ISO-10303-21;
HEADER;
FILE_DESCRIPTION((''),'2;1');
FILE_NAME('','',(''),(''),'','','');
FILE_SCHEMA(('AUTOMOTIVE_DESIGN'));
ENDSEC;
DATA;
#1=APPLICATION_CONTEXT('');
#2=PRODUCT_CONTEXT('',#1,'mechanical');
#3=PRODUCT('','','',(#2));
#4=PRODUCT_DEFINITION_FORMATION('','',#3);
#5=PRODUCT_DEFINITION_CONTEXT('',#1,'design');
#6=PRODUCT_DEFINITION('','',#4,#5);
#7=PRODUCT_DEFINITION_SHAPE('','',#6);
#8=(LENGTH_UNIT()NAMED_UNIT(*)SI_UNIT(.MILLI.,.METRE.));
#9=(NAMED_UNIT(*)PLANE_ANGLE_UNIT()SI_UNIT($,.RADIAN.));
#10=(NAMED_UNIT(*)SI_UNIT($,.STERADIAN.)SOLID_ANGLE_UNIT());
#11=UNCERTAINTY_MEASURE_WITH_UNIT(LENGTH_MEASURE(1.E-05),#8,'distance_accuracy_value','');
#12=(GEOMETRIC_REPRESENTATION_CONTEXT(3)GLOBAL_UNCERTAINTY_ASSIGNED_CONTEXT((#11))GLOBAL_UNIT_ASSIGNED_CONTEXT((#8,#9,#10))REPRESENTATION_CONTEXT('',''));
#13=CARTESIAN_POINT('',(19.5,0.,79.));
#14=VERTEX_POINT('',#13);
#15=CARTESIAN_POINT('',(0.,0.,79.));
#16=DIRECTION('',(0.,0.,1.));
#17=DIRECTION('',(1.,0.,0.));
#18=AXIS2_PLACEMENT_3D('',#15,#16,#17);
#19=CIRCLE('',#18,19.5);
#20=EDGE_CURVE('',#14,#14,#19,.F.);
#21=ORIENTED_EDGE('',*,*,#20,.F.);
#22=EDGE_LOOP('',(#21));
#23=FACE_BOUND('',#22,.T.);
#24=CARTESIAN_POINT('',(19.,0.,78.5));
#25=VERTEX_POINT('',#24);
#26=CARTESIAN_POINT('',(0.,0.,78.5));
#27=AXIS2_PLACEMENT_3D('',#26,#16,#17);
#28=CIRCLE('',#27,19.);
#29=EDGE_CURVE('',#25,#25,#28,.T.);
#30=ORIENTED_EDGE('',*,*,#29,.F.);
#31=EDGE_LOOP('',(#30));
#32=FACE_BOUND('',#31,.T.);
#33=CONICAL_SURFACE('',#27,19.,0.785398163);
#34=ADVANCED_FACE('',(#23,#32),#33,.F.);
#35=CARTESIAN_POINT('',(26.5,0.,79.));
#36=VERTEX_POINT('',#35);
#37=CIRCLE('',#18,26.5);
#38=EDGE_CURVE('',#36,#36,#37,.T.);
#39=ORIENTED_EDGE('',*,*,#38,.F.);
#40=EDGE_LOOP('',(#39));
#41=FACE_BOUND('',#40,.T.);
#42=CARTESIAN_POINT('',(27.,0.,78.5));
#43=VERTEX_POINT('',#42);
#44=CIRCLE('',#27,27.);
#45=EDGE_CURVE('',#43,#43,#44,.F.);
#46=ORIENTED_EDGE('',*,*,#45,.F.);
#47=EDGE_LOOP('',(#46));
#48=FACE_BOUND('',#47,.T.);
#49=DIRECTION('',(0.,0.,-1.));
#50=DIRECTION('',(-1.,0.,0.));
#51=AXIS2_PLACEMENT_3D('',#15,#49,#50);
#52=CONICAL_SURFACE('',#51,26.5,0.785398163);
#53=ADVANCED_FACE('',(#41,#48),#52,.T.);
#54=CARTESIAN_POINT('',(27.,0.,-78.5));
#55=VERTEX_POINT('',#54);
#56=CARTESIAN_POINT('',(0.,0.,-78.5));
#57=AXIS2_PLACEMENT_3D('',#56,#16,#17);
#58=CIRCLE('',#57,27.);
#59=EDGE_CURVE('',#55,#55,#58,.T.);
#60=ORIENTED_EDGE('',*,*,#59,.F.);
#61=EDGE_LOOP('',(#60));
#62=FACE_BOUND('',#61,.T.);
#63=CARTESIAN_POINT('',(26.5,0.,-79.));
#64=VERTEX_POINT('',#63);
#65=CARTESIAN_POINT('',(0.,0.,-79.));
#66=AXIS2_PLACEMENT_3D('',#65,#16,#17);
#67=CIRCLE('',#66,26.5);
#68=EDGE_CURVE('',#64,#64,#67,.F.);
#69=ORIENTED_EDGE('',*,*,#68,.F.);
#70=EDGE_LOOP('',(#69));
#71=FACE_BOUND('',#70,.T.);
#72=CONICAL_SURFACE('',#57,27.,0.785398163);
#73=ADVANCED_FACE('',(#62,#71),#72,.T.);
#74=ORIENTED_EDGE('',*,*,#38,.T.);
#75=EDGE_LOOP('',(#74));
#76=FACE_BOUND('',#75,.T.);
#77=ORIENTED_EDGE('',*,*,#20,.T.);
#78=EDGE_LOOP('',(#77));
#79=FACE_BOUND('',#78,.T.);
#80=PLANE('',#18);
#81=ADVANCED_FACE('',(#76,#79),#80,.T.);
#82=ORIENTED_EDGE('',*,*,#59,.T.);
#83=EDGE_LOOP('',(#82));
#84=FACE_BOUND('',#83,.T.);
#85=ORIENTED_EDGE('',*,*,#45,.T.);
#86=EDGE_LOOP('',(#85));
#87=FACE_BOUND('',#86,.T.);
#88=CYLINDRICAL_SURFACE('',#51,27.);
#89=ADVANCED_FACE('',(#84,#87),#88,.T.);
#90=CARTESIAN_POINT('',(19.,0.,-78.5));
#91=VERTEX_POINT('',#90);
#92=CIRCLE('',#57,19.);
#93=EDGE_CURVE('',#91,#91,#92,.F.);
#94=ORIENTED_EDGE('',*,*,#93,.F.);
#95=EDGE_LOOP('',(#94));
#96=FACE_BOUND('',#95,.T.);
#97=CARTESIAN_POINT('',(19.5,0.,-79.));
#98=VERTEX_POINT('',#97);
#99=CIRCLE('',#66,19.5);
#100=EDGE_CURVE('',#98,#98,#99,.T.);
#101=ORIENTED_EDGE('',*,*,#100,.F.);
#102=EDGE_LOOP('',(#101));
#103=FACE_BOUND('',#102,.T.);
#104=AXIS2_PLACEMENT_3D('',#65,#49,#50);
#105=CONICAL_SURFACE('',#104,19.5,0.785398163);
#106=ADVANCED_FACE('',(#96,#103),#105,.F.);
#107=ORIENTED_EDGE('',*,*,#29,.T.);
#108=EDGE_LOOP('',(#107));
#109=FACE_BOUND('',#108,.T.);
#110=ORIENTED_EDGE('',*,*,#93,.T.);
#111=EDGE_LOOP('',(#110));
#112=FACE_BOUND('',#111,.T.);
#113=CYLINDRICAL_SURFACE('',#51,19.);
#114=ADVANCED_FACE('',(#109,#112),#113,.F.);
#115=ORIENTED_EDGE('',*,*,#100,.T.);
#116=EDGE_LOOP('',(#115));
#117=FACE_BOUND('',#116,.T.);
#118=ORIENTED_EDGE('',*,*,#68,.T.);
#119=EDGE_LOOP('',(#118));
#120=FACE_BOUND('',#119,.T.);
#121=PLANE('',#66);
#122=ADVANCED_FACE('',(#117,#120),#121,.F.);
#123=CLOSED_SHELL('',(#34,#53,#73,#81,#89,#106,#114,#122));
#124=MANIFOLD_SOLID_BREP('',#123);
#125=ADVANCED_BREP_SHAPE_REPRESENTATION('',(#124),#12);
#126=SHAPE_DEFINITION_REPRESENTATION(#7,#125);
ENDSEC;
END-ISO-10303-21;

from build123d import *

# Parameters (mm, degrees)
SKIZZE1_R                       = 27
SKIZZE1_R_2                     = 19
AUFSATZ_LINEAR_AUSTRAGEN1_DEPTH = 79
FASE1_SIZE                      = 0.5


with BuildPart() as part:
    # Skizze1 → Aufsatz-Linear austragen1 (new, symmetric)
    with BuildSketch(Plane.XY):
        Circle(SKIZZE1_R)
        Circle(SKIZZE1_R_2, mode=Mode.SUBTRACT)
    extrude(amount=AUFSATZ_LINEAR_AUSTRAGEN1_DEPTH, both=True)

    # Fase1
    fase1_edges = [part.edges().sort_by_distance(p)[0] for p in [
        (-27, 0, -79),
        (-27, 0, 79),
        (-19, 0, -79),
        (-19, 0, 79),
    ]]
    chamfer(fase1_edges, length=FASE1_SIZE)


solid = part.part
